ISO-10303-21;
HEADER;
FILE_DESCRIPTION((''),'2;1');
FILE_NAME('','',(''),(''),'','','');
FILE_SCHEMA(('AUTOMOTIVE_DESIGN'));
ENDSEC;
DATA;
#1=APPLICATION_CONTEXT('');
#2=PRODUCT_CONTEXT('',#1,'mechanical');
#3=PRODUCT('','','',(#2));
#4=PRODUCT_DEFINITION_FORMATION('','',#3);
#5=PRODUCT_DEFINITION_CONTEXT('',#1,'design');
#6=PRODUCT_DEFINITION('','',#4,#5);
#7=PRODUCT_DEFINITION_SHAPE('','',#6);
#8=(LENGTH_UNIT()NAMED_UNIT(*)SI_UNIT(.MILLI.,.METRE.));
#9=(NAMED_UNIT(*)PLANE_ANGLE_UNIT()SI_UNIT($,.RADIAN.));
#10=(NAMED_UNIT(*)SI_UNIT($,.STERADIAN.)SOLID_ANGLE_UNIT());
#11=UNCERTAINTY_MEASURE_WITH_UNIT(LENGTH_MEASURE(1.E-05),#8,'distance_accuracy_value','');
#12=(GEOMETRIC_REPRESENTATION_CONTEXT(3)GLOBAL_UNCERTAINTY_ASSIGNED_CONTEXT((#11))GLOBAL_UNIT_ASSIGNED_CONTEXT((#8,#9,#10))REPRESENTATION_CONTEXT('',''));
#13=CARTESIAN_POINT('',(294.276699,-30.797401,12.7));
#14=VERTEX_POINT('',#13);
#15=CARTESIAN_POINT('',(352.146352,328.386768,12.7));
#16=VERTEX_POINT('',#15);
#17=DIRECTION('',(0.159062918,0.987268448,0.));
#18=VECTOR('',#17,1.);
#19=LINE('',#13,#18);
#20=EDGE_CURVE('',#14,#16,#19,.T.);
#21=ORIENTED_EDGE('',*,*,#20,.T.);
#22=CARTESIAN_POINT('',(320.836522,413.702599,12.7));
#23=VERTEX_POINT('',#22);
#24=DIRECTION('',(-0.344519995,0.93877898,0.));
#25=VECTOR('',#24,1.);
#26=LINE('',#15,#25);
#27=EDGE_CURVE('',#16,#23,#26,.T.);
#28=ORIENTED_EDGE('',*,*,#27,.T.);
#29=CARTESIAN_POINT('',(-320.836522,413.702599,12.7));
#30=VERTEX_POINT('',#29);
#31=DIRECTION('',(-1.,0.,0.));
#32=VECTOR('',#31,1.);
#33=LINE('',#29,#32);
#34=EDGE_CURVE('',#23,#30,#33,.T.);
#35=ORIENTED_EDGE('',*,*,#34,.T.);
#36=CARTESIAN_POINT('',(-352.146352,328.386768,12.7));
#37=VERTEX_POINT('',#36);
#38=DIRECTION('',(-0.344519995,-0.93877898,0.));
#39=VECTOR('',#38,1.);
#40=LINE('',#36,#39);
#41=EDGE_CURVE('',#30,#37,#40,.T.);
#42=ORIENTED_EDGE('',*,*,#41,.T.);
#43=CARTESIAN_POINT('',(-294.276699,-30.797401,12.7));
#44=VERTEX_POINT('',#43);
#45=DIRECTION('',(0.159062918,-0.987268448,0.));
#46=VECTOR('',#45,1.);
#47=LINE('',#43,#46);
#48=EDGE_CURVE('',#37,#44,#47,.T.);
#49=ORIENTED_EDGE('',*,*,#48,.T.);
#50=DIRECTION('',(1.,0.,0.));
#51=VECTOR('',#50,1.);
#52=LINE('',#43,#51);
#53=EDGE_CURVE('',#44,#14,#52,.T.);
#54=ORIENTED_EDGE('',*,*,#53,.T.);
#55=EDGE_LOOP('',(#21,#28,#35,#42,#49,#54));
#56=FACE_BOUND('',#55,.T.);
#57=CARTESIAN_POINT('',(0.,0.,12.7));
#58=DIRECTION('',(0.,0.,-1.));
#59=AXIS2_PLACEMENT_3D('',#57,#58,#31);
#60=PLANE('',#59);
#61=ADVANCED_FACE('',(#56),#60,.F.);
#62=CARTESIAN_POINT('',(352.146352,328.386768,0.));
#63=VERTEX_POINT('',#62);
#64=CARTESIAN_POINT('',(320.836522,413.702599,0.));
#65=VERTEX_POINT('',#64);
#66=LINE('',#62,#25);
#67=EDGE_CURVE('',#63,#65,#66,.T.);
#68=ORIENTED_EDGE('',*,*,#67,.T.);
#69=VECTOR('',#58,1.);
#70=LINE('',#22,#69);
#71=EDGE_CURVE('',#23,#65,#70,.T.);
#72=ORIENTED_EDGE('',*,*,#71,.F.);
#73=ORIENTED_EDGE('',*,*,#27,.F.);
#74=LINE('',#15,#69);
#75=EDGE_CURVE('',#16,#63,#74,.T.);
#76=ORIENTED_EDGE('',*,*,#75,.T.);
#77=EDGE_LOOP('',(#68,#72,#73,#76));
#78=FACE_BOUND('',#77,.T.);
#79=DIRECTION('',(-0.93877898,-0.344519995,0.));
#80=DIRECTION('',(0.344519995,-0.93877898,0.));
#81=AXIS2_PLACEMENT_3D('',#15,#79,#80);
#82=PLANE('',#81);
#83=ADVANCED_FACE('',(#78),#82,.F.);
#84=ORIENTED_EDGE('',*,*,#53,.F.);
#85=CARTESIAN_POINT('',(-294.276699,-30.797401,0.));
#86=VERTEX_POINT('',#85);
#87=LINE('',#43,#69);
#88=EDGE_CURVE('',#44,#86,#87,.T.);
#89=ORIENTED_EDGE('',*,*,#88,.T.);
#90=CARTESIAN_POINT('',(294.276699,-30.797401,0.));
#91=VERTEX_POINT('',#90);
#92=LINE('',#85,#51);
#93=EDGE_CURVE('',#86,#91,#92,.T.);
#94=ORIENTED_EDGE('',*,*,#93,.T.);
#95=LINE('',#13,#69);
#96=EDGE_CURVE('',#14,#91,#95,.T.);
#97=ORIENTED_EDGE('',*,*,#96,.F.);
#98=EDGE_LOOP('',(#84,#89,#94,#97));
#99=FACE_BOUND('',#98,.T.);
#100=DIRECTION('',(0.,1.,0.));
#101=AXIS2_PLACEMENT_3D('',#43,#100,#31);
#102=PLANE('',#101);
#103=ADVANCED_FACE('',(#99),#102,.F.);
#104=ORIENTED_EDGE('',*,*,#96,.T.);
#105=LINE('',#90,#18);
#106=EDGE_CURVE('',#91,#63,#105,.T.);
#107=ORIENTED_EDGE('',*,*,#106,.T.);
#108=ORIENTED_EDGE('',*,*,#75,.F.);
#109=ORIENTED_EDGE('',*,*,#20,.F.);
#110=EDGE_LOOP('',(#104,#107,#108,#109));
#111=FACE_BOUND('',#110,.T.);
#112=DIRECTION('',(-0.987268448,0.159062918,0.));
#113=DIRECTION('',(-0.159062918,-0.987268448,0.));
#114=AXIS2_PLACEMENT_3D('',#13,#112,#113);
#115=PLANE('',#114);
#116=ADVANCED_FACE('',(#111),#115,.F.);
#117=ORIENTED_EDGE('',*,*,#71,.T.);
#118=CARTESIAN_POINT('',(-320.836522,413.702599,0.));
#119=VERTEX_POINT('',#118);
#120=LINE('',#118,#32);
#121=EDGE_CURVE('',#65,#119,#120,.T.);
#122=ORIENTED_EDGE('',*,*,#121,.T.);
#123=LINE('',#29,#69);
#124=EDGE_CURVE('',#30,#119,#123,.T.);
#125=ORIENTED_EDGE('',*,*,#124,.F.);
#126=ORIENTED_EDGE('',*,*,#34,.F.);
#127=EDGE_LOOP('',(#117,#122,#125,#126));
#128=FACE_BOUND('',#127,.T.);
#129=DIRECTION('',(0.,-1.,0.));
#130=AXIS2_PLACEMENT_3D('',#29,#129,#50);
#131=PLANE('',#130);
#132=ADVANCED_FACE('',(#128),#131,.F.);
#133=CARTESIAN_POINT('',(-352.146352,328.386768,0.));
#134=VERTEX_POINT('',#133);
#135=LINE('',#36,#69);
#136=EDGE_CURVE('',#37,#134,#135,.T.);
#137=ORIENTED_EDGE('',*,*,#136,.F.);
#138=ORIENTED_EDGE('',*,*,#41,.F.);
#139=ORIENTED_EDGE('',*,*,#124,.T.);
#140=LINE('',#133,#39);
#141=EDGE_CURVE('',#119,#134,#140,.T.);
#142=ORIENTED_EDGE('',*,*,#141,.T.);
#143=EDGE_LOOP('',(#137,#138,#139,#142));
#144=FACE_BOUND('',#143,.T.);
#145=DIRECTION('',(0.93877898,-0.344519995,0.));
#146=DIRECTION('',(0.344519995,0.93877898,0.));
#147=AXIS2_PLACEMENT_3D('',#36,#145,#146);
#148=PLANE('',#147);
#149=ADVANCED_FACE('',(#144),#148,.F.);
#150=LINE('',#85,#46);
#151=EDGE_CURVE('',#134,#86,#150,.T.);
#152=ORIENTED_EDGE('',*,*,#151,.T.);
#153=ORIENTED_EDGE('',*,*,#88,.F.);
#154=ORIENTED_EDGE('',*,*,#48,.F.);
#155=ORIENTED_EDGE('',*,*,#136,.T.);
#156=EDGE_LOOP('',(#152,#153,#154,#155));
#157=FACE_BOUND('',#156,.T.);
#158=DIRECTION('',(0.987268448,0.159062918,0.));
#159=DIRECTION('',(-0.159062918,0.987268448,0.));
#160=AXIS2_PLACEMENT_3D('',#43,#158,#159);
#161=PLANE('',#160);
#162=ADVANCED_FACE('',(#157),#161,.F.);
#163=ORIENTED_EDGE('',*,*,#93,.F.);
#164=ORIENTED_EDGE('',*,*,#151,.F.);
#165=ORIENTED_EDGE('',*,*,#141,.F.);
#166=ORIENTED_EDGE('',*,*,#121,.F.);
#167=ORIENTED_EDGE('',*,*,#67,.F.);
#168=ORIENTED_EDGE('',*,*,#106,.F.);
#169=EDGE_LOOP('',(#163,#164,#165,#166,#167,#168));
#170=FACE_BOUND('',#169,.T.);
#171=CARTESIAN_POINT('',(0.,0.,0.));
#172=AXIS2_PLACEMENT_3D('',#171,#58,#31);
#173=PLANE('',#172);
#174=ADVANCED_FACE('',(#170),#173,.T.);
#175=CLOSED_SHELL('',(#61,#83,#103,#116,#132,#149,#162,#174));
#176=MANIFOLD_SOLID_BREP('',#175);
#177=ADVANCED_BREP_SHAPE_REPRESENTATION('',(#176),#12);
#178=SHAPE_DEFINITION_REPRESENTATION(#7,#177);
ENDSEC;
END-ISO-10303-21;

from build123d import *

# Parameters (mm, degrees)
BOSS_EXTRUDE1_DEPTH = 12.7


with BuildPart() as part:
    # Sketch1 → Boss-Extrude1 (new body)
    with BuildSketch(Plane.XY):
        Polygon((-320.836522371, 413.70259906), (320.836522371, 413.70259906), (352.146351869, 328.386767557), (294.276699266, -30.79740094), (-294.276699266, -30.79740094), (-352.146351869, 328.386767557), align=None)
    extrude(amount=BOSS_EXTRUDE1_DEPTH)


solid = part.part
